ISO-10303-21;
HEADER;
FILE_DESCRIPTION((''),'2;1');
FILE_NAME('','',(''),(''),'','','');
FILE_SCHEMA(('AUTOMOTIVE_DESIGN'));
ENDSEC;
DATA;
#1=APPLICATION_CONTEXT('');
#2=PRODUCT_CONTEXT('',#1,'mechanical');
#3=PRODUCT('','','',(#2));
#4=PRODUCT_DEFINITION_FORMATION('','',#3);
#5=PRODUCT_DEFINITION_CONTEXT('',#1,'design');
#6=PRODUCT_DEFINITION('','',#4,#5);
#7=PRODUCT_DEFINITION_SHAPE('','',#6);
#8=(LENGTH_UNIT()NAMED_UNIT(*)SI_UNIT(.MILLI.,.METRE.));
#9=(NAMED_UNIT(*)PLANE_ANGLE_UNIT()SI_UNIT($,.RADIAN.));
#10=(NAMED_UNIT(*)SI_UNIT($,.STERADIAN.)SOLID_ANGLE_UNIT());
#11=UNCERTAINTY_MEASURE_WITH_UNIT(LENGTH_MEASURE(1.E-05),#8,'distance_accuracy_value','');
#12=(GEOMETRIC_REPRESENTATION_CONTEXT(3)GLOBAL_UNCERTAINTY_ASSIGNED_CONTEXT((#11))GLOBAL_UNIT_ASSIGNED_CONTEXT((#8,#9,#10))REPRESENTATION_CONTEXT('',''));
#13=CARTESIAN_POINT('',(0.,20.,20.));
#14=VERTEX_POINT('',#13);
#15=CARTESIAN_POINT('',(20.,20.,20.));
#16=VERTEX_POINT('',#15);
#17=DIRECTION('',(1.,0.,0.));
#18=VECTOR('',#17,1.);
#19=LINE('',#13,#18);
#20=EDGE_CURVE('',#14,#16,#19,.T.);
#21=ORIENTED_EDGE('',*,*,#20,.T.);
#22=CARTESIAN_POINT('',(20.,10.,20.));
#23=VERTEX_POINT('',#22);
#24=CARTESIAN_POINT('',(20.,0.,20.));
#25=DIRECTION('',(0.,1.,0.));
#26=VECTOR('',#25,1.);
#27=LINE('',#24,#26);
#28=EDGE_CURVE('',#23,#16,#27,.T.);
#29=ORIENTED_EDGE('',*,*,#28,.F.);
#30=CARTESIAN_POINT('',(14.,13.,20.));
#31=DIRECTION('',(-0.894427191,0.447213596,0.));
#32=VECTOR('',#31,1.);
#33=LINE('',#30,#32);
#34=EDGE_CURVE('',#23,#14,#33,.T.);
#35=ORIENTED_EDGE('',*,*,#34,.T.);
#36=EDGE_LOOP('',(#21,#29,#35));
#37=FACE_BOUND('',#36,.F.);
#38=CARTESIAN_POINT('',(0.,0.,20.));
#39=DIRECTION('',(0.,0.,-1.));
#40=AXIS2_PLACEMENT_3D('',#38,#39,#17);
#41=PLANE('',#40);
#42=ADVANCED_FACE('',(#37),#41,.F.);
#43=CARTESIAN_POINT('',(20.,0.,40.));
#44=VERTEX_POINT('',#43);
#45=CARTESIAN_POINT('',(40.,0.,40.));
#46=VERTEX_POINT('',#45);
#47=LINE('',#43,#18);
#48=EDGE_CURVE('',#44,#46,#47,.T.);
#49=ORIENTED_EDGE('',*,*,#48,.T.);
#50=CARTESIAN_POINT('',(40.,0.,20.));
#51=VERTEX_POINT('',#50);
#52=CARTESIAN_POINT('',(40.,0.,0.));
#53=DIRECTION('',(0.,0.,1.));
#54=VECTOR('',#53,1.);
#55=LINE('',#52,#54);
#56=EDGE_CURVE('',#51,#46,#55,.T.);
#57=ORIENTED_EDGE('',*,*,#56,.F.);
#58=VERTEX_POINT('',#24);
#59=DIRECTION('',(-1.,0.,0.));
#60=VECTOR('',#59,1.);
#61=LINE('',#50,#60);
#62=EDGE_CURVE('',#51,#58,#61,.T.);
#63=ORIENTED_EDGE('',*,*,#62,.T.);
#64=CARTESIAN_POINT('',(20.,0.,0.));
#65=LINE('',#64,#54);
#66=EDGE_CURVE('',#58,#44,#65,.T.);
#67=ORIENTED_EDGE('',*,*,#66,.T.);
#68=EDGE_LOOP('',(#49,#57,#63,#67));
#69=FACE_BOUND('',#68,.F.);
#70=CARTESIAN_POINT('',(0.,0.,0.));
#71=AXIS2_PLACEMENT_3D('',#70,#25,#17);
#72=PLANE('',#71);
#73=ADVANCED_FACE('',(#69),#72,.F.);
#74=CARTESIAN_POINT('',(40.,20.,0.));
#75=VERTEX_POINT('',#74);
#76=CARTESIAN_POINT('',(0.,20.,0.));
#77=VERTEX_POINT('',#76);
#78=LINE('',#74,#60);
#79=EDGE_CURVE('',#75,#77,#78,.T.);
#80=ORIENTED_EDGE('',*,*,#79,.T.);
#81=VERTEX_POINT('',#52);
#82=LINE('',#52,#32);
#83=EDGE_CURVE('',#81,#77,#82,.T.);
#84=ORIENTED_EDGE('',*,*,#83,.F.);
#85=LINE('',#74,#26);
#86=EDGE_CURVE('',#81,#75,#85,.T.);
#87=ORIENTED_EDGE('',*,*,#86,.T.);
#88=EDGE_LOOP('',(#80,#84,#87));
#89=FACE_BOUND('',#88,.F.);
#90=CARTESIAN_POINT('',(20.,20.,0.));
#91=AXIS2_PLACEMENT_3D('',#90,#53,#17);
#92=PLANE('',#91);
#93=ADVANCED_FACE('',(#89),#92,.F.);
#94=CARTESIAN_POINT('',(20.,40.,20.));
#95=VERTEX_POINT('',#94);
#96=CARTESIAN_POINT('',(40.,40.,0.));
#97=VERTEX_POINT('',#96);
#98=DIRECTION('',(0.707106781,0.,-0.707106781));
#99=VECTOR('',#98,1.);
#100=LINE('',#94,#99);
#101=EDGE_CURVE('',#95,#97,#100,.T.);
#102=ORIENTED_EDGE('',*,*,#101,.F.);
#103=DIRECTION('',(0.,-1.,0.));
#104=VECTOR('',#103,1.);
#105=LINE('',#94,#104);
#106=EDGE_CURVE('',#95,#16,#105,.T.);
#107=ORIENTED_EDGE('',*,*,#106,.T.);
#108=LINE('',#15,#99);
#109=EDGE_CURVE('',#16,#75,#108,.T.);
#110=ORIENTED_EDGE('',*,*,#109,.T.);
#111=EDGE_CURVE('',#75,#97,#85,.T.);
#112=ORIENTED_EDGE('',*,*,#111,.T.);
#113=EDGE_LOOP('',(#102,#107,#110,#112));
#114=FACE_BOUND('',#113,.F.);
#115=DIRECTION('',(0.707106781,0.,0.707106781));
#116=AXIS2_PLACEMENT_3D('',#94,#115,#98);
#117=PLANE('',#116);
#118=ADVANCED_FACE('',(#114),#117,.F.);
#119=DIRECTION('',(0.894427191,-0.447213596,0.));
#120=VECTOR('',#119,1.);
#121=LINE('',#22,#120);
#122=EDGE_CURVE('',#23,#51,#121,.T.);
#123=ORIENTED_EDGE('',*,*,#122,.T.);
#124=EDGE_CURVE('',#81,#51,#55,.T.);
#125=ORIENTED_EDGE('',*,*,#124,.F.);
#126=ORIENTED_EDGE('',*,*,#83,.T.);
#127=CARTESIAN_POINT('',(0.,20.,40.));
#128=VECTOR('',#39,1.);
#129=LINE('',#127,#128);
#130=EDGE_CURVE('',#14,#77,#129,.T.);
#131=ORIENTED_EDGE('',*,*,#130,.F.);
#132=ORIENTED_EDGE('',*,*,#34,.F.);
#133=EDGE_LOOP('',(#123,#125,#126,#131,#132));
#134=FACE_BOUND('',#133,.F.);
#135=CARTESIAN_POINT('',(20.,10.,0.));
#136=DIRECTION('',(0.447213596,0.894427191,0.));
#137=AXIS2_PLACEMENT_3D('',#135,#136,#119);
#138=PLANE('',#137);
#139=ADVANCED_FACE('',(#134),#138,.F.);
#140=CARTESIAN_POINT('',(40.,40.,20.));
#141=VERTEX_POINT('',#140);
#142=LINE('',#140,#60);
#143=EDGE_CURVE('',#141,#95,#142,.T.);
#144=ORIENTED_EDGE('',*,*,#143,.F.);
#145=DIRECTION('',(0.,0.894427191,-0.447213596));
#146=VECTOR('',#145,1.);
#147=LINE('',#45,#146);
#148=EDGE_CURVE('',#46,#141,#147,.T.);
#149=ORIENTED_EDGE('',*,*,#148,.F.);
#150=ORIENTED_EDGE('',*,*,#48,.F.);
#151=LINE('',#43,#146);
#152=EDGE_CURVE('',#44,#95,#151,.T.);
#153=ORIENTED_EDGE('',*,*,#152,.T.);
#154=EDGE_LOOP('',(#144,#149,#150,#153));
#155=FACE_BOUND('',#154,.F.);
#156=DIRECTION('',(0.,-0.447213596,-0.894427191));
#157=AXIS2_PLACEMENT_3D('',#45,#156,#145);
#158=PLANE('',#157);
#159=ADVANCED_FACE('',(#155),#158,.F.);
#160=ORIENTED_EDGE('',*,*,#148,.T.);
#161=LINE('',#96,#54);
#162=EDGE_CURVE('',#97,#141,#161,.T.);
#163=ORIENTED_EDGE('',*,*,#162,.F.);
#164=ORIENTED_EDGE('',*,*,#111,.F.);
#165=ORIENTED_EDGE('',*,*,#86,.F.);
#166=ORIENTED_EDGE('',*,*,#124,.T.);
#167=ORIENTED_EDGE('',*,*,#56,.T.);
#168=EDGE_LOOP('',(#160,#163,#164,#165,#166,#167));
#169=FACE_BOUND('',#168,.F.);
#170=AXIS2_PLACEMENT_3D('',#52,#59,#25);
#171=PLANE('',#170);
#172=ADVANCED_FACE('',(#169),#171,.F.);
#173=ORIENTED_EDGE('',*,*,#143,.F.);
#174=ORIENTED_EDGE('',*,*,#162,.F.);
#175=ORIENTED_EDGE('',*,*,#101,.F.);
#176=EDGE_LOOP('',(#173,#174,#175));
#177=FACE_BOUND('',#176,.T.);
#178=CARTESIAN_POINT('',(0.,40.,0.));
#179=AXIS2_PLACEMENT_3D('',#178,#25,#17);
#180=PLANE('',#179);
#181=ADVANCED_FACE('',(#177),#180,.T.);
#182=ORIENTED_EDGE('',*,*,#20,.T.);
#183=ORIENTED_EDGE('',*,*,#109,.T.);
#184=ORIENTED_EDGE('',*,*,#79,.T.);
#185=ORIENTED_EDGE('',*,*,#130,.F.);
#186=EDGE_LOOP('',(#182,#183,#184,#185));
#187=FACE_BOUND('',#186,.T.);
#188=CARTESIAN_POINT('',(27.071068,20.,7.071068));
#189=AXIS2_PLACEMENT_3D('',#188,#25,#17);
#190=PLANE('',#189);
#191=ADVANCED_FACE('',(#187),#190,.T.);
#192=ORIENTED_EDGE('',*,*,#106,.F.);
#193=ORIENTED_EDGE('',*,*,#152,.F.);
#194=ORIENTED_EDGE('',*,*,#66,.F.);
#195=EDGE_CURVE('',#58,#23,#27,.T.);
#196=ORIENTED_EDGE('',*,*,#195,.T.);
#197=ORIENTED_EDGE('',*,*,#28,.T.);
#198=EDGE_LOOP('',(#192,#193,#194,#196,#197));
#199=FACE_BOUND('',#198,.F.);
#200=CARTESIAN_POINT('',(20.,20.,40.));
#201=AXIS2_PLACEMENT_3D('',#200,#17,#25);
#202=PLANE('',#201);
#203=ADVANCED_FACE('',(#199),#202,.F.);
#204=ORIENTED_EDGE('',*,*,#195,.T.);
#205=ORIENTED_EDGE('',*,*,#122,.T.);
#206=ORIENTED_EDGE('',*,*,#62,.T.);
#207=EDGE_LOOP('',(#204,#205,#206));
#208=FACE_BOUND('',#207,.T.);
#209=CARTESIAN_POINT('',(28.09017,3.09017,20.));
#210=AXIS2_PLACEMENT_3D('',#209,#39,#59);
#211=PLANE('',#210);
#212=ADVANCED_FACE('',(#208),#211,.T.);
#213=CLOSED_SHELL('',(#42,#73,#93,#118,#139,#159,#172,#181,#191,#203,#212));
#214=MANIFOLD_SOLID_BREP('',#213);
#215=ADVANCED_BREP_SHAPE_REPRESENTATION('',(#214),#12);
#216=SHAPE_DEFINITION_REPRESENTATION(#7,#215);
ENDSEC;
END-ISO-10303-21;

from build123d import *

# Parameters (mm, degrees)
SKETCH1_W           = 40
SKETCH1_H           = 40
BOSS_EXTRUDE1_DEPTH = 40
SKETCH2_W           = 20
SKETCH2_H           = 20
CUT_EXTRUDE1_DEPTH  = 40
CUT_EXTRUDE2_DEPTH  = 40
CUT_EXTRUDE3_DEPTH  = 40
SKETCH5_W           = 20
SKETCH5_H           = 20
CUT_EXTRUDE4_DEPTH  = 40
CUT_EXTRUDE5_DEPTH  = 20
CUT_EXTRUDE13_DEPTH = 20


with BuildPart() as part:
    # Sketch1 → Boss-Extrude1 (new body)
    with BuildSketch(Plane.XY):
        with Locations((20, 20)):
            Rectangle(SKETCH1_W, SKETCH1_H)
    extrude(amount=BOSS_EXTRUDE1_DEPTH)

    # Sketch2 → Cut-Extrude1 (cut)
    with BuildSketch(Plane.XY.offset(40)):
        with Locations((10, 30)):
            Rectangle(SKETCH2_W, SKETCH2_H)
    extrude(amount=-CUT_EXTRUDE1_DEPTH, mode=Mode.SUBTRACT)

    # Sketch3 → Cut-Extrude2 (cut)
    with BuildSketch(Plane.XY.offset(40)):
        Polygon((0, 0), (20, 0), (20, 10), (0, 20), align=None)
    extrude(amount=-CUT_EXTRUDE2_DEPTH, mode=Mode.SUBTRACT)

    # Sketch4 → Cut-Extrude3 (cut)
    with BuildSketch(Plane(origin=(40, 0, 0), x_dir=(0, 0, -1), z_dir=(1, 0, 0))):
        Polygon((-40, 0), (-20, 40), (-40, 40), align=None)
    extrude(amount=-CUT_EXTRUDE3_DEPTH, mode=Mode.SUBTRACT)

    # Sketch5 → Cut-Extrude4 (cut)
    with BuildSketch(Plane.XZ):
        with Locations((10, 30)):
            Rectangle(SKETCH5_W, SKETCH5_H)
    extrude(amount=-CUT_EXTRUDE4_DEPTH, mode=Mode.SUBTRACT)

    # Sketch6 → Cut-Extrude5 (cut)
    with BuildSketch(Plane(origin=(0, 0, 0), x_dir=(-1, 0, 0), z_dir=(0, 0, -1))):
        Polygon((-20, 10), (-40, 0), (-20, 0), align=None)
    extrude(amount=-CUT_EXTRUDE5_DEPTH, mode=Mode.SUBTRACT)

    # Sketch9 → Cut-Extrude13 (cut)
    with BuildSketch(Plane(origin=(0, 40, 0), x_dir=(1, 0, 0), z_dir=(0, 1, 0))):
        Polygon((20, -20), (40, 0), (20, 0), align=None)
    extrude(amount=-CUT_EXTRUDE13_DEPTH, mode=Mode.SUBTRACT)


solid = part.part
